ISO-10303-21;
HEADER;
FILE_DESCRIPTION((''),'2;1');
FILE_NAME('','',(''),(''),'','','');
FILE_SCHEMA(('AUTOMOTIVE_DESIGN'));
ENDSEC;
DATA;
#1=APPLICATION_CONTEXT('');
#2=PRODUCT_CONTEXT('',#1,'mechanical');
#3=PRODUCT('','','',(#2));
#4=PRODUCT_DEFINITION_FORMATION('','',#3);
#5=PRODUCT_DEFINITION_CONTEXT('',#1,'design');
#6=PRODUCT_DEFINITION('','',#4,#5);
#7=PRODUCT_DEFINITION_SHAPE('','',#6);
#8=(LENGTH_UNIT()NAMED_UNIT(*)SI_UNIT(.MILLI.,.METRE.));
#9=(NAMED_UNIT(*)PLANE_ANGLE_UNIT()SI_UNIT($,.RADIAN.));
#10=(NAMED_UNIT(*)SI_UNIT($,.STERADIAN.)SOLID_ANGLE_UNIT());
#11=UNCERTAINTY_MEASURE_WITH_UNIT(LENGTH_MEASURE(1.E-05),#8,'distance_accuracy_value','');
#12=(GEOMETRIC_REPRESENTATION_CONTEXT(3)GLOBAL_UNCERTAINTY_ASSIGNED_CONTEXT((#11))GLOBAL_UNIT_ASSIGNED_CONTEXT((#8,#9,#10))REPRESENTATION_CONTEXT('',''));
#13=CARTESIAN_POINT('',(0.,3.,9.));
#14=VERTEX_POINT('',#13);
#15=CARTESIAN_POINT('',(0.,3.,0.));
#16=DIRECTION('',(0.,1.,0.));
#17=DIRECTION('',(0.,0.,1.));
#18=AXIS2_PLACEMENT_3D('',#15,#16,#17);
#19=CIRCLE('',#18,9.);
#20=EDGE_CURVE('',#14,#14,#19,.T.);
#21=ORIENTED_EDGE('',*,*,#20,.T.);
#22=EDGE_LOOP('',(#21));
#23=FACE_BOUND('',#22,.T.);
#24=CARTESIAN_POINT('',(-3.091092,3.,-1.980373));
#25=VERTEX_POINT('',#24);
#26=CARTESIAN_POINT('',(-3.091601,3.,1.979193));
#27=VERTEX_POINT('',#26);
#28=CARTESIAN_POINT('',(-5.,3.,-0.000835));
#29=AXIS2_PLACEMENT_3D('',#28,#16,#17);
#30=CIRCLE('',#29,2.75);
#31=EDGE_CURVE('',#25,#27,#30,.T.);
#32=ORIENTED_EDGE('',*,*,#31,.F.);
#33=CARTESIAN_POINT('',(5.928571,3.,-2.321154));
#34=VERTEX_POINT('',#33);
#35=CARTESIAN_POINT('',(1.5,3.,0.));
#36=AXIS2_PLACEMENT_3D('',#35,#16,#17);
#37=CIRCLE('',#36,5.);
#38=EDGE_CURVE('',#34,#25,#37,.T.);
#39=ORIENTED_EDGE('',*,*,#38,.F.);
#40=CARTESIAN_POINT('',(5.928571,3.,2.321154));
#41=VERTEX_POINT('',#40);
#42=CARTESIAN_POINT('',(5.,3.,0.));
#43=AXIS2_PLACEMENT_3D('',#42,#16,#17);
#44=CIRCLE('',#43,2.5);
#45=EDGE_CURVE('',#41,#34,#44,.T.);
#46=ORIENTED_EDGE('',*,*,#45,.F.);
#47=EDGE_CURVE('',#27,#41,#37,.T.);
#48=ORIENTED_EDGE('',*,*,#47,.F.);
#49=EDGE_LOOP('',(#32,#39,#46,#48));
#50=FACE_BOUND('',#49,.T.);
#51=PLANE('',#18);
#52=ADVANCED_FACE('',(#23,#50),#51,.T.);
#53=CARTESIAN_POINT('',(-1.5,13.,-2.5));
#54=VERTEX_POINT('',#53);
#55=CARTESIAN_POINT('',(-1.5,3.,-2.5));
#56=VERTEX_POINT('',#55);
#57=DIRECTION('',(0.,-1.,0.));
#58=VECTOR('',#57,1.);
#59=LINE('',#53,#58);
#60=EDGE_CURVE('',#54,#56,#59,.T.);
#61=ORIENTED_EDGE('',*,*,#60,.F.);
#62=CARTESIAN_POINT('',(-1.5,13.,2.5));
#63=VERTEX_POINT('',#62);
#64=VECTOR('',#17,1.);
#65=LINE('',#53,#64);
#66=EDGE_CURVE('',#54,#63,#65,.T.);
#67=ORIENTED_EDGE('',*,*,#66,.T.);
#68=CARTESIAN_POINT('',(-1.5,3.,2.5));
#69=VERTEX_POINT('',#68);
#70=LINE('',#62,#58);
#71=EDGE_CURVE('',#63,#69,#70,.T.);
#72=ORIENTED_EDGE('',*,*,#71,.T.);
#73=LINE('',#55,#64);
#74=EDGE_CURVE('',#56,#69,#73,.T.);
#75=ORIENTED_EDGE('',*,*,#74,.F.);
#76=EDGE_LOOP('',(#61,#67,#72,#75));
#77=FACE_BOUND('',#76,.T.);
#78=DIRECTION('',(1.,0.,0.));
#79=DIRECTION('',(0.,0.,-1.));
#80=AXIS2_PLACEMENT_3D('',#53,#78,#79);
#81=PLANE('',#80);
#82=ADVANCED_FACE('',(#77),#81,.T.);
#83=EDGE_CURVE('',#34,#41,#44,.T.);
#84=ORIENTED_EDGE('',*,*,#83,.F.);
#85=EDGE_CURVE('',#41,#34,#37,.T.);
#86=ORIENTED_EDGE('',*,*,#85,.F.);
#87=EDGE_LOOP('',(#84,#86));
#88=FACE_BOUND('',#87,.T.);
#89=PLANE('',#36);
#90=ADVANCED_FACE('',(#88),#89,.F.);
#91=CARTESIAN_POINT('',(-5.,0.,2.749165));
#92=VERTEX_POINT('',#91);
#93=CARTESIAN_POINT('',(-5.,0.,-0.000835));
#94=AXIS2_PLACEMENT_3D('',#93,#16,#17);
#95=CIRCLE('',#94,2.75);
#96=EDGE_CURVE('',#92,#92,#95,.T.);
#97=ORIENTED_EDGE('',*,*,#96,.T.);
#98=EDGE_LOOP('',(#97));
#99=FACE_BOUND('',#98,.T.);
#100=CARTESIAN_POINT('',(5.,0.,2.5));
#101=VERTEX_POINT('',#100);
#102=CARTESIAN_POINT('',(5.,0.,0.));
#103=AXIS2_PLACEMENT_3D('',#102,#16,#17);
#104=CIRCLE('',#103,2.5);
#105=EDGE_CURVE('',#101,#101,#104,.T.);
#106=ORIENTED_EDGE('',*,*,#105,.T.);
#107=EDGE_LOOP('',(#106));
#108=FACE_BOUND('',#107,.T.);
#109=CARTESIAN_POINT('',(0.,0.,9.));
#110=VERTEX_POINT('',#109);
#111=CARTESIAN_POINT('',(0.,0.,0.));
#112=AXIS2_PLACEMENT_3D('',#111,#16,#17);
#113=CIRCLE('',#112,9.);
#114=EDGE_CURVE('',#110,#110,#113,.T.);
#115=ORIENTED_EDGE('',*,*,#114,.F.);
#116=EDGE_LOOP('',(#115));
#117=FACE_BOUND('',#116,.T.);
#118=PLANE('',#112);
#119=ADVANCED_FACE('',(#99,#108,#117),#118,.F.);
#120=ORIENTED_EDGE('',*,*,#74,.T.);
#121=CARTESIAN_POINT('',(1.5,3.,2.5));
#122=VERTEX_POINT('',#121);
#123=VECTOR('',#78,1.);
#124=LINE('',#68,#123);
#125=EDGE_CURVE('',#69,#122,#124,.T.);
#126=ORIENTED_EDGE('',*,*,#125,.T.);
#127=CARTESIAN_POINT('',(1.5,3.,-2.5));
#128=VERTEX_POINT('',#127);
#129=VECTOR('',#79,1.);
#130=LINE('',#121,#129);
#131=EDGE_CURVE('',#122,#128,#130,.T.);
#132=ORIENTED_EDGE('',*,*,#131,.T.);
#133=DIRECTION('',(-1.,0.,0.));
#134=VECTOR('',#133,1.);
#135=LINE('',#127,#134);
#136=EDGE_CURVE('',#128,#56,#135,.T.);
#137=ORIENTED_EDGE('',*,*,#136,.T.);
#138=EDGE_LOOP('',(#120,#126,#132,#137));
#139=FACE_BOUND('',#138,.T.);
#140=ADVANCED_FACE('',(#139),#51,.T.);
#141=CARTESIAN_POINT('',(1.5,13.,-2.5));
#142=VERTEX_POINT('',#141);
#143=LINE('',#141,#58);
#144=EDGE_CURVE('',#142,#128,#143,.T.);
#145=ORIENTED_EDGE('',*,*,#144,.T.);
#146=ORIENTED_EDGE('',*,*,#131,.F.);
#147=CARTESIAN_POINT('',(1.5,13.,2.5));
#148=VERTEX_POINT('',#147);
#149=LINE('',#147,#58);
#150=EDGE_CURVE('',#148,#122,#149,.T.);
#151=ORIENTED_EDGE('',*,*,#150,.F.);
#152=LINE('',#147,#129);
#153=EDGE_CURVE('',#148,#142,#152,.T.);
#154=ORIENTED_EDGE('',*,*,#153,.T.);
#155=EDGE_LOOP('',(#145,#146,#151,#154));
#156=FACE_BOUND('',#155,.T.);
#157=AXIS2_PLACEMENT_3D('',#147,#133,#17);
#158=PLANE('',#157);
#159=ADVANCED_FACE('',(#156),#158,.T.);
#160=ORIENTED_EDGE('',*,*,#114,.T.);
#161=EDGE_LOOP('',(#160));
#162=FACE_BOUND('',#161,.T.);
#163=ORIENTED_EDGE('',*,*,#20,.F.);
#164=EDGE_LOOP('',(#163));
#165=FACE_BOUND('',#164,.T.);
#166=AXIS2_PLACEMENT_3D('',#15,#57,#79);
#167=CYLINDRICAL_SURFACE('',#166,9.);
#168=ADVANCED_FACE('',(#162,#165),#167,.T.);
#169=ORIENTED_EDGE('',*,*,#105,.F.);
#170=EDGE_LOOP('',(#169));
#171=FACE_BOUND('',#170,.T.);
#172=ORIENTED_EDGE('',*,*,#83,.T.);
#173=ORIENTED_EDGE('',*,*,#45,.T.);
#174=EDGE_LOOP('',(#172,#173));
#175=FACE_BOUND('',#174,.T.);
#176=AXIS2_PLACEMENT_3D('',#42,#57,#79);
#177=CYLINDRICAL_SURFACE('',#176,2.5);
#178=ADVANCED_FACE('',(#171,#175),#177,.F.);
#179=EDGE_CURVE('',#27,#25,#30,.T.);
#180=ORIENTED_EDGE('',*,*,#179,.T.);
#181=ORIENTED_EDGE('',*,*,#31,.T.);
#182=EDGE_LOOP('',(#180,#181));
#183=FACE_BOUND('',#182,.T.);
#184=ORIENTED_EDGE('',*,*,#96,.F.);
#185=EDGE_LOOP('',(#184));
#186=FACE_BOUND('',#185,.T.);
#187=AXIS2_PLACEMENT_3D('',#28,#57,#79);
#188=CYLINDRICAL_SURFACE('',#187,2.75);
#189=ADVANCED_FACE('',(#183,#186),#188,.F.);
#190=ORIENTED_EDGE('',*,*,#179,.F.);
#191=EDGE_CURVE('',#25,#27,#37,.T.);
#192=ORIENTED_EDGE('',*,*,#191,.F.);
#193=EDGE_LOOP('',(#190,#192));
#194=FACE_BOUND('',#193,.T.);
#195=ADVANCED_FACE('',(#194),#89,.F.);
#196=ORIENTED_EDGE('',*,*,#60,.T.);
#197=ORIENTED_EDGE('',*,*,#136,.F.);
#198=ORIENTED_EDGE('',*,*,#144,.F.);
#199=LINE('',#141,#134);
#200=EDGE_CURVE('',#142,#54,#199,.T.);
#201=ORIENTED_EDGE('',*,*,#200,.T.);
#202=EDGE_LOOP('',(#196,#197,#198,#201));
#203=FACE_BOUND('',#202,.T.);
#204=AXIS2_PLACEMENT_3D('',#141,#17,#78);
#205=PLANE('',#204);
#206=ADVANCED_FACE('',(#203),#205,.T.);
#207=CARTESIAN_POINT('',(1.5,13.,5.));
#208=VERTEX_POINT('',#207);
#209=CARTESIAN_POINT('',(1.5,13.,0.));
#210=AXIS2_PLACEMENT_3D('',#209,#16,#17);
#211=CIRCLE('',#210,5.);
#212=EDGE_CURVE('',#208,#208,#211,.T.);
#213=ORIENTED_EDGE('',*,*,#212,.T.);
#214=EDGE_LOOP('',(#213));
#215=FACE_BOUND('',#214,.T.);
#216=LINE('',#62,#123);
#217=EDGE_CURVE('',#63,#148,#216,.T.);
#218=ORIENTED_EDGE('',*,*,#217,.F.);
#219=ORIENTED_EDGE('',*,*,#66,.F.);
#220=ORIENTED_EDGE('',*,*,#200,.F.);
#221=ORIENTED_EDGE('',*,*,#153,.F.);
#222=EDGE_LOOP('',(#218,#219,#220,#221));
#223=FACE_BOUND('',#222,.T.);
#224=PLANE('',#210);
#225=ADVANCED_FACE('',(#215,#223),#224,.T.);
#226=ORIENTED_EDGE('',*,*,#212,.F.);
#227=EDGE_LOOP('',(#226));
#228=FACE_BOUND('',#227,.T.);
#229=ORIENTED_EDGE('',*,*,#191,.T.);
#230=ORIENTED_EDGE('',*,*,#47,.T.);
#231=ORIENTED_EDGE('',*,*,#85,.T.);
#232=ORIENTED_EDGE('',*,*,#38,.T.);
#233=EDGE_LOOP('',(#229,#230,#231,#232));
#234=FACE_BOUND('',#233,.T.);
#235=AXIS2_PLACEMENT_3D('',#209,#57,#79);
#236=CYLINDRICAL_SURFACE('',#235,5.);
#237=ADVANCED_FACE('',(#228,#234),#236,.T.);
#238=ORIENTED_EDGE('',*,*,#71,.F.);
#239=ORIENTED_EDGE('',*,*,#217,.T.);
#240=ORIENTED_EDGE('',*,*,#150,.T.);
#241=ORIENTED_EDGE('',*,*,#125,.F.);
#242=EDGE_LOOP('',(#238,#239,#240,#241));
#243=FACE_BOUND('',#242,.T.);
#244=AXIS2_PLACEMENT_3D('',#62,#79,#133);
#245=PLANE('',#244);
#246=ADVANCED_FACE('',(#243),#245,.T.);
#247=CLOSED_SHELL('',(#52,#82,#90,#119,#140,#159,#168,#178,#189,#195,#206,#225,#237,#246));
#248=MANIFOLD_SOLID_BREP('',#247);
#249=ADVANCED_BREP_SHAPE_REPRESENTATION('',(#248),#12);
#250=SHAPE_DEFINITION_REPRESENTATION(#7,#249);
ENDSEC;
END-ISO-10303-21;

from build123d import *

# Parameters (mm, degrees)
SKETCH1_R           = 9
SKETCH1_R_2         = 2.75
SKETCH1_R_3         = 2.5
BOSS_EXTRUDE1_DEPTH = 3
SKETCH4_R           = 5
SKETCH4_W           = 3
SKETCH4_H           = 5
BOSS_EXTRUDE4_DEPTH = 10


with BuildPart() as part:
    # Sketch1 → Boss-Extrude1 (new body)
    with BuildSketch(Plane(origin=(0, 0, 0), x_dir=(1, 0, 0), z_dir=(0, 1, 0))):
        Circle(SKETCH1_R)
        with Locations((-5, 0.000835232)):
            Circle(SKETCH1_R_2, mode=Mode.SUBTRACT)
        with Locations((5, 0)):
            Circle(SKETCH1_R_3, mode=Mode.SUBTRACT)
    extrude(amount=BOSS_EXTRUDE1_DEPTH)

    # Sketch4 → Boss-Extrude4 (add)
    with BuildSketch(Plane(origin=(0, 3, 0), x_dir=(1, 0, 0), z_dir=(0, 1, 0))):
        with Locations((1.5, 0)):
            Circle(SKETCH4_R)
        Rectangle(SKETCH4_W, SKETCH4_H, mode=Mode.SUBTRACT)
    extrude(amount=BOSS_EXTRUDE4_DEPTH)


solid = part.part
